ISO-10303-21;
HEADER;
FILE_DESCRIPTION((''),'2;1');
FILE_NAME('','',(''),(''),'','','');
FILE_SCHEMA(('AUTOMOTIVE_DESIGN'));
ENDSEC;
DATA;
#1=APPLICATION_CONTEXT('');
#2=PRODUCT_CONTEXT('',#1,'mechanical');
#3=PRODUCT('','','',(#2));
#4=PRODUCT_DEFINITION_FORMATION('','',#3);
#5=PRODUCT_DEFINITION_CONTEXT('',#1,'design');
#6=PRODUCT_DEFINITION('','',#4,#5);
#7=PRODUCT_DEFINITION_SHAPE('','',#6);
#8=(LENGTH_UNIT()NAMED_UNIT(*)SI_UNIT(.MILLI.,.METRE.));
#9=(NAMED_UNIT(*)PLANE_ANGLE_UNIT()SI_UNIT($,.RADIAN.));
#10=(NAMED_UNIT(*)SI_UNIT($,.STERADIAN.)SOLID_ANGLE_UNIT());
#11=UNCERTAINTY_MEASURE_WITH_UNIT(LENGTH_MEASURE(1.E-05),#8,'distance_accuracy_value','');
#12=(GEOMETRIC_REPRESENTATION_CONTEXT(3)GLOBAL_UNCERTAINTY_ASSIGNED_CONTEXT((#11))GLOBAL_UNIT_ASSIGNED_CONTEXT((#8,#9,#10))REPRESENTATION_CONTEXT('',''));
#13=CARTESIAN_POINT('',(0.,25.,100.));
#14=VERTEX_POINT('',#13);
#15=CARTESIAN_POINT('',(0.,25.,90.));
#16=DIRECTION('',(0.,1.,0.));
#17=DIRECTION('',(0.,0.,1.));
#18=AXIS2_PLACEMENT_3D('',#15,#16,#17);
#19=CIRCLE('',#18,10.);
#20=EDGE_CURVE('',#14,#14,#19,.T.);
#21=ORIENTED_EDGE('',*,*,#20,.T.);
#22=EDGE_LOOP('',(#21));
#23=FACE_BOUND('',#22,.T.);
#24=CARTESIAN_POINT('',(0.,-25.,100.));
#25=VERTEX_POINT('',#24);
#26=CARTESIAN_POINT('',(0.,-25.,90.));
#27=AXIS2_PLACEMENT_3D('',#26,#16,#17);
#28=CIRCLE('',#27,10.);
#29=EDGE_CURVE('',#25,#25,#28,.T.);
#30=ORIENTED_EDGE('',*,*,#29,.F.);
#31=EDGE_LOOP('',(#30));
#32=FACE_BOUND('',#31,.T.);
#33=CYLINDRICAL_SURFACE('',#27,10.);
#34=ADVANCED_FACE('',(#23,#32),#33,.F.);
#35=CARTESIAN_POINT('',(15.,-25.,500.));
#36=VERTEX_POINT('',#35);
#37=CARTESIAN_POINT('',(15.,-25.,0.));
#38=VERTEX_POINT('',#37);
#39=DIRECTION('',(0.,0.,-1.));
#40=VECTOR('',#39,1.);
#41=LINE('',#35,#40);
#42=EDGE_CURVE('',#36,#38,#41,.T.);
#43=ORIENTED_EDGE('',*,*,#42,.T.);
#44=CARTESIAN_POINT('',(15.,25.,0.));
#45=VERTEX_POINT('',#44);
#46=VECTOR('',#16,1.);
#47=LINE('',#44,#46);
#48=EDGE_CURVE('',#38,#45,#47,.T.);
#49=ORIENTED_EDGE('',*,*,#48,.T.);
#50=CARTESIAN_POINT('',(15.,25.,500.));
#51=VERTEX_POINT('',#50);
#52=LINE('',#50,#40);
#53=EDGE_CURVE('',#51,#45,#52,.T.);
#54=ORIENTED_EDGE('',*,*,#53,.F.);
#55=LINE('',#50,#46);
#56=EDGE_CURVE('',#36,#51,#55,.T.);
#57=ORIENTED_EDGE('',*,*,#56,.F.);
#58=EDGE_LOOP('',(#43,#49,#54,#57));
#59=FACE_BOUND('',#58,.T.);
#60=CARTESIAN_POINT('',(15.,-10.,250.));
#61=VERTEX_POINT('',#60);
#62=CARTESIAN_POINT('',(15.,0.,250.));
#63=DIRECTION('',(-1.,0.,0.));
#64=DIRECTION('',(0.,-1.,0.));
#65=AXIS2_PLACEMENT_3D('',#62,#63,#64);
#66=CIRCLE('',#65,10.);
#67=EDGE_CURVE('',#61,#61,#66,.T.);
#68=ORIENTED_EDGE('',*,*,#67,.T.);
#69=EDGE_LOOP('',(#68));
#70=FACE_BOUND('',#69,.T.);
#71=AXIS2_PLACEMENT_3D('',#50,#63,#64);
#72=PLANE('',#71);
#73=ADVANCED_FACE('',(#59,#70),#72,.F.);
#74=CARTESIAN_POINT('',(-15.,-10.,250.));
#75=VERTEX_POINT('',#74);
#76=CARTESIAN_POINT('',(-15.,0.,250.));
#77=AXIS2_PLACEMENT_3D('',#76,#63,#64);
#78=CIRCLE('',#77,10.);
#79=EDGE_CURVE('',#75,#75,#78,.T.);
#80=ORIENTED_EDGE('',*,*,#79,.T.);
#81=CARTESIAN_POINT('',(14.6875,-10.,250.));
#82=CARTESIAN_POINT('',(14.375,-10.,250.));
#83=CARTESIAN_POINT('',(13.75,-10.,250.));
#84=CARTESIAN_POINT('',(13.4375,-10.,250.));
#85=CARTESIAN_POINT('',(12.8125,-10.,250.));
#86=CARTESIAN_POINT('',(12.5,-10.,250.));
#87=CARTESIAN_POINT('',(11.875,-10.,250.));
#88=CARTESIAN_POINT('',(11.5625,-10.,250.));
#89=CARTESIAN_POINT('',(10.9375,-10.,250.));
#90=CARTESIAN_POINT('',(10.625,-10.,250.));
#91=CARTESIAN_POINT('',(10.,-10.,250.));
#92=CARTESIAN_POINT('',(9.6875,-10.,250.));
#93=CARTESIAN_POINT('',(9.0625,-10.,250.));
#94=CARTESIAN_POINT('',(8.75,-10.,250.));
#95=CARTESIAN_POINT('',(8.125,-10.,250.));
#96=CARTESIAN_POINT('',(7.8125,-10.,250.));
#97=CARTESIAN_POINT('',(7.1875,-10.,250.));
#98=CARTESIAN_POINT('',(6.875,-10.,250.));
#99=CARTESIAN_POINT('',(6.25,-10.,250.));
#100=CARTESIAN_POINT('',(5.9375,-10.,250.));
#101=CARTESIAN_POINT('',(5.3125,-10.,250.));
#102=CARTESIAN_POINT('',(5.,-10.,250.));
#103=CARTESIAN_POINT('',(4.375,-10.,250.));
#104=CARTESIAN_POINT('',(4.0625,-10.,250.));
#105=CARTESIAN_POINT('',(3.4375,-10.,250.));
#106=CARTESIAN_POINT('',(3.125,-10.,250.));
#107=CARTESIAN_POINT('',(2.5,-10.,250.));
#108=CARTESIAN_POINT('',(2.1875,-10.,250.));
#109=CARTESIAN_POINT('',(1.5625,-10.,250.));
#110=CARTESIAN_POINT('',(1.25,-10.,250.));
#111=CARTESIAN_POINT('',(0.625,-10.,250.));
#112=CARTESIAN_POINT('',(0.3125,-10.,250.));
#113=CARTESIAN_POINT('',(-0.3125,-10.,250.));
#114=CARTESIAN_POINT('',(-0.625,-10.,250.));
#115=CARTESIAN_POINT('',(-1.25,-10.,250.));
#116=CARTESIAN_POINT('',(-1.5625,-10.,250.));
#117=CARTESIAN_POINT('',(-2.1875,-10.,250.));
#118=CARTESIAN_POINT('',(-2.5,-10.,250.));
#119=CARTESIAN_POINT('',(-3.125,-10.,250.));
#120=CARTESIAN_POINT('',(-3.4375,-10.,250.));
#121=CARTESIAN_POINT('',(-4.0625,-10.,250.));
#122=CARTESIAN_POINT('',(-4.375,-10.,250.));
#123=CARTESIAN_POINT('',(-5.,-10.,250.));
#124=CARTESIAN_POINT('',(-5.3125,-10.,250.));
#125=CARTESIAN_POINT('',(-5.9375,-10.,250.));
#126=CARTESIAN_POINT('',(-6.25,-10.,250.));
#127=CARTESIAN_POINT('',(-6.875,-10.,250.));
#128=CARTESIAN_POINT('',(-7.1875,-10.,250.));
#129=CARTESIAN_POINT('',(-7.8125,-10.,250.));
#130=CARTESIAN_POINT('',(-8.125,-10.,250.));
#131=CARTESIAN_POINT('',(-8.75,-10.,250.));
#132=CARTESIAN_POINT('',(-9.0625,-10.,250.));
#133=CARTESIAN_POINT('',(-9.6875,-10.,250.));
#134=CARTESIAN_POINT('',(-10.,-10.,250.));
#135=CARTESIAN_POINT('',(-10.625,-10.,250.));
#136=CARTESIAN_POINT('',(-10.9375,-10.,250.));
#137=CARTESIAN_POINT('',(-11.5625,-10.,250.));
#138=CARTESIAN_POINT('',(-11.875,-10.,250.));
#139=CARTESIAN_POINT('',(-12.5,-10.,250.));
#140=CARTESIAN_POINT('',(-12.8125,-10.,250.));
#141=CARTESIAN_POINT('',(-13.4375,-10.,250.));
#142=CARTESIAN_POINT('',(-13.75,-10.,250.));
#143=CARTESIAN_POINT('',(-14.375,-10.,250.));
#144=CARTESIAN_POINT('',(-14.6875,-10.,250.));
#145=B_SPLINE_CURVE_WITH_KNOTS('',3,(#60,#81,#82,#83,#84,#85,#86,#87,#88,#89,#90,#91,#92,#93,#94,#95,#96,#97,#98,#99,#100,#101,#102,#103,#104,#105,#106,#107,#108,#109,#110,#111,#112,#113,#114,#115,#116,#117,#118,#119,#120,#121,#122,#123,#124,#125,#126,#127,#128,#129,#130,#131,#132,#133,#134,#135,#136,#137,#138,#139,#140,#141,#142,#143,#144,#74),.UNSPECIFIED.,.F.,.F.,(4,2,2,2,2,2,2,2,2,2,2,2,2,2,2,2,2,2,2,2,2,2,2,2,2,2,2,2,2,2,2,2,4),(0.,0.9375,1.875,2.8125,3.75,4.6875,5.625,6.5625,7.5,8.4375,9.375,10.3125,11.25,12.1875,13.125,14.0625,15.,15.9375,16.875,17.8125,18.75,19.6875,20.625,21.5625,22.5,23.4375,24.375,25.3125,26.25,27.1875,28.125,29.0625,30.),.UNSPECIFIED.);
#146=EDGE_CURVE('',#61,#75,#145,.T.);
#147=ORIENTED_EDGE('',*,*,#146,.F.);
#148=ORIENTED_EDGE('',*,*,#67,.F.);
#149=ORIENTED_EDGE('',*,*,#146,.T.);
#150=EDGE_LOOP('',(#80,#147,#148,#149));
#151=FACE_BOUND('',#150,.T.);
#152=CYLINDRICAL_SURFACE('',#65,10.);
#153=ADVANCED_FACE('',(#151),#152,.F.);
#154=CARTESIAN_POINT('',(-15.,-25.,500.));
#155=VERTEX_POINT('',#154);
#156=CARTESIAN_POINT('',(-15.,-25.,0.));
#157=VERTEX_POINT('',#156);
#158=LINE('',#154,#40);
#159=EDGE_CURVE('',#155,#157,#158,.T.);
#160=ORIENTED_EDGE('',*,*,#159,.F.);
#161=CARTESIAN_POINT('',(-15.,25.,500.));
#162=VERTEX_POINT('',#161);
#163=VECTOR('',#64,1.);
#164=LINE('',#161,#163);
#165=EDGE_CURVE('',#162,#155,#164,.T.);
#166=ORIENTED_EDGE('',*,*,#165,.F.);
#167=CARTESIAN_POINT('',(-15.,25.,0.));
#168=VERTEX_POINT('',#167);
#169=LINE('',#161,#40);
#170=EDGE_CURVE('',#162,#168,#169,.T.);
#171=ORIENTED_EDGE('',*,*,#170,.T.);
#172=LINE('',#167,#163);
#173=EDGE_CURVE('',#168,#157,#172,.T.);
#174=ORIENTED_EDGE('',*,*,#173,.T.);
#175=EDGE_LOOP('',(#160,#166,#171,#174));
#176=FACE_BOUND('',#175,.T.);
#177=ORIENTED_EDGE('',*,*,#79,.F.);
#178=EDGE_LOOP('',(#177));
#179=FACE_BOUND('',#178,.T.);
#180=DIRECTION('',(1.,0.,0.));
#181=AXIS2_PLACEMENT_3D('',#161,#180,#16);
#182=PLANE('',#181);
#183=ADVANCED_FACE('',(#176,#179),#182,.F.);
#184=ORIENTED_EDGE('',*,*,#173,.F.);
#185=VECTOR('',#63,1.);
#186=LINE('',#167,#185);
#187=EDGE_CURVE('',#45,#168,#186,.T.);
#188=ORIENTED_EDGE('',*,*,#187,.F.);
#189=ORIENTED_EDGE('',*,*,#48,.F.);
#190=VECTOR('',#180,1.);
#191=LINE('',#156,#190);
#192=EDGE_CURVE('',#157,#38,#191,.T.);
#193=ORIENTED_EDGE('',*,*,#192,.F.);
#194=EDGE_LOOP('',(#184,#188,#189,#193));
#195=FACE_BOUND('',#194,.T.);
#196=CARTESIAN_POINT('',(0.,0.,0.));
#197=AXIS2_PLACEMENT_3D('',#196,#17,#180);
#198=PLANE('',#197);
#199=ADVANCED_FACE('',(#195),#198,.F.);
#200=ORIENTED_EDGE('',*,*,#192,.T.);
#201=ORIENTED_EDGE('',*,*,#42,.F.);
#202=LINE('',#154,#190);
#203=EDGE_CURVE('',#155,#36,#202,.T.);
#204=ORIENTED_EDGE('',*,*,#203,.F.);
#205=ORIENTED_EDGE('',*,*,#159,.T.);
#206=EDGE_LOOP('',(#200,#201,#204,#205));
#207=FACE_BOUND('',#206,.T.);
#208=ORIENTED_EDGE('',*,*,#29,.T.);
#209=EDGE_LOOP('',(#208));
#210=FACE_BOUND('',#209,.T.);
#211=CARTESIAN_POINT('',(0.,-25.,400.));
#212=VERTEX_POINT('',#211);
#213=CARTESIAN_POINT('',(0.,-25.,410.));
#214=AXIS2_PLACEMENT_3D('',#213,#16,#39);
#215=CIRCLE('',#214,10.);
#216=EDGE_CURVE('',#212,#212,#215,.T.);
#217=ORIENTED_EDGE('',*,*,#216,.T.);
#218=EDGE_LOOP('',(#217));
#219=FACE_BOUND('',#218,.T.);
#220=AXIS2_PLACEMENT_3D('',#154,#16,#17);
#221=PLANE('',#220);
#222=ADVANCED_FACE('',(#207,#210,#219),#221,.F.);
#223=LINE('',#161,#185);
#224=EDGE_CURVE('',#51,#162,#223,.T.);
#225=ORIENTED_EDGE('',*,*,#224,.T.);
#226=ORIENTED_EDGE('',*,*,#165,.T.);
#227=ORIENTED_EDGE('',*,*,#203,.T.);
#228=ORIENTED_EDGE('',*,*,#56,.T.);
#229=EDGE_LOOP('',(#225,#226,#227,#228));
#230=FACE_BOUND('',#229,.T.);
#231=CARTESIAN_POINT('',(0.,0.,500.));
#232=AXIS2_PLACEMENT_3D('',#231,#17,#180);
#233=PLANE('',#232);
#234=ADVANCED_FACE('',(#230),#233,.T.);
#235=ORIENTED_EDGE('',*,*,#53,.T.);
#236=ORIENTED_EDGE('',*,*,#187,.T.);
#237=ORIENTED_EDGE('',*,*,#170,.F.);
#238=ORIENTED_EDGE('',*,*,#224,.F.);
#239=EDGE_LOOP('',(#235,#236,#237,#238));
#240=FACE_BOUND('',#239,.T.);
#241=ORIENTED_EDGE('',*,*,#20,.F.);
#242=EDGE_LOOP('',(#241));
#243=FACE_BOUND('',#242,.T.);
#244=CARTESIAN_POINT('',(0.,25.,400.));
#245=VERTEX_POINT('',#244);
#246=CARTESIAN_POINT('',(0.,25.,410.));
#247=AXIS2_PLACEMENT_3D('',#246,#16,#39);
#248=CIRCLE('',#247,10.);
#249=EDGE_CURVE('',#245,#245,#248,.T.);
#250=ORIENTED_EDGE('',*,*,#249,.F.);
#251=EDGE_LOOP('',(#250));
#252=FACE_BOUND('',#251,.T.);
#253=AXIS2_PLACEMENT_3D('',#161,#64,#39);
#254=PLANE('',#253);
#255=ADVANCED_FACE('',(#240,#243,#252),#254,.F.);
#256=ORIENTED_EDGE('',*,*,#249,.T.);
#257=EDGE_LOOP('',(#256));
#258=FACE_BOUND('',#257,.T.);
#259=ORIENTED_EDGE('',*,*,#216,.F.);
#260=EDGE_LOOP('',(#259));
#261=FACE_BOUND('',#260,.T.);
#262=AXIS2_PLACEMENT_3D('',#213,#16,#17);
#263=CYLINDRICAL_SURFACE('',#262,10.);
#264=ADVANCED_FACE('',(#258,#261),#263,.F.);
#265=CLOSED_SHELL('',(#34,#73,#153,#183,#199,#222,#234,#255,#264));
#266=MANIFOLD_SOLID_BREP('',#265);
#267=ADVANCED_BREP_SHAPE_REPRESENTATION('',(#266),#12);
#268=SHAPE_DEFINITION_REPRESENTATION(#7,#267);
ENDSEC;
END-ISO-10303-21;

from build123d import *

# Parameters (mm, degrees)
SKETCH_1_W          = 30
SKETCH_1_H          = 50
EXTRUDE_1_DEPTH     = 500
SKETCH_2_R          = 10
CUT_EXTRUDE_1_DEPTH = 503.717614571
SKETCH_3_R          = 10
CUT_EXTRUDE_2_DEPTH = 502.522681441


with BuildPart() as part:
    # Эскиз1 → Бобышка-Вытянуть1 (new body)
    with BuildSketch(Plane.XY):
        Rectangle(SKETCH_1_W, SKETCH_1_H)
    extrude(amount=EXTRUDE_1_DEPTH)

    # Эскиз2 → Вырез-Вытянуть1 (cut, through all)
    with BuildSketch(Plane(origin=(0, 25, 0), x_dir=(1, 0, 0), z_dir=(0, 1, 0))):
        with Locations(Location((0, -90, 0), (0, 0, 270))):
            Circle(SKETCH_2_R)
        with Locations(Location((0, -410, 0), (0, 0, 90))):
            Circle(SKETCH_2_R)
    extrude(amount=-CUT_EXTRUDE_1_DEPTH, mode=Mode.SUBTRACT)

    # Эскиз3 → Вырез-Вытянуть2 (cut, through all)
    with BuildSketch(Plane.ZY.offset(15)):
        with Locations(Location((250, 0, 0), (0, 0, 270))):
            Circle(SKETCH_3_R)
    extrude(amount=-CUT_EXTRUDE_2_DEPTH, mode=Mode.SUBTRACT)


solid = part.part
